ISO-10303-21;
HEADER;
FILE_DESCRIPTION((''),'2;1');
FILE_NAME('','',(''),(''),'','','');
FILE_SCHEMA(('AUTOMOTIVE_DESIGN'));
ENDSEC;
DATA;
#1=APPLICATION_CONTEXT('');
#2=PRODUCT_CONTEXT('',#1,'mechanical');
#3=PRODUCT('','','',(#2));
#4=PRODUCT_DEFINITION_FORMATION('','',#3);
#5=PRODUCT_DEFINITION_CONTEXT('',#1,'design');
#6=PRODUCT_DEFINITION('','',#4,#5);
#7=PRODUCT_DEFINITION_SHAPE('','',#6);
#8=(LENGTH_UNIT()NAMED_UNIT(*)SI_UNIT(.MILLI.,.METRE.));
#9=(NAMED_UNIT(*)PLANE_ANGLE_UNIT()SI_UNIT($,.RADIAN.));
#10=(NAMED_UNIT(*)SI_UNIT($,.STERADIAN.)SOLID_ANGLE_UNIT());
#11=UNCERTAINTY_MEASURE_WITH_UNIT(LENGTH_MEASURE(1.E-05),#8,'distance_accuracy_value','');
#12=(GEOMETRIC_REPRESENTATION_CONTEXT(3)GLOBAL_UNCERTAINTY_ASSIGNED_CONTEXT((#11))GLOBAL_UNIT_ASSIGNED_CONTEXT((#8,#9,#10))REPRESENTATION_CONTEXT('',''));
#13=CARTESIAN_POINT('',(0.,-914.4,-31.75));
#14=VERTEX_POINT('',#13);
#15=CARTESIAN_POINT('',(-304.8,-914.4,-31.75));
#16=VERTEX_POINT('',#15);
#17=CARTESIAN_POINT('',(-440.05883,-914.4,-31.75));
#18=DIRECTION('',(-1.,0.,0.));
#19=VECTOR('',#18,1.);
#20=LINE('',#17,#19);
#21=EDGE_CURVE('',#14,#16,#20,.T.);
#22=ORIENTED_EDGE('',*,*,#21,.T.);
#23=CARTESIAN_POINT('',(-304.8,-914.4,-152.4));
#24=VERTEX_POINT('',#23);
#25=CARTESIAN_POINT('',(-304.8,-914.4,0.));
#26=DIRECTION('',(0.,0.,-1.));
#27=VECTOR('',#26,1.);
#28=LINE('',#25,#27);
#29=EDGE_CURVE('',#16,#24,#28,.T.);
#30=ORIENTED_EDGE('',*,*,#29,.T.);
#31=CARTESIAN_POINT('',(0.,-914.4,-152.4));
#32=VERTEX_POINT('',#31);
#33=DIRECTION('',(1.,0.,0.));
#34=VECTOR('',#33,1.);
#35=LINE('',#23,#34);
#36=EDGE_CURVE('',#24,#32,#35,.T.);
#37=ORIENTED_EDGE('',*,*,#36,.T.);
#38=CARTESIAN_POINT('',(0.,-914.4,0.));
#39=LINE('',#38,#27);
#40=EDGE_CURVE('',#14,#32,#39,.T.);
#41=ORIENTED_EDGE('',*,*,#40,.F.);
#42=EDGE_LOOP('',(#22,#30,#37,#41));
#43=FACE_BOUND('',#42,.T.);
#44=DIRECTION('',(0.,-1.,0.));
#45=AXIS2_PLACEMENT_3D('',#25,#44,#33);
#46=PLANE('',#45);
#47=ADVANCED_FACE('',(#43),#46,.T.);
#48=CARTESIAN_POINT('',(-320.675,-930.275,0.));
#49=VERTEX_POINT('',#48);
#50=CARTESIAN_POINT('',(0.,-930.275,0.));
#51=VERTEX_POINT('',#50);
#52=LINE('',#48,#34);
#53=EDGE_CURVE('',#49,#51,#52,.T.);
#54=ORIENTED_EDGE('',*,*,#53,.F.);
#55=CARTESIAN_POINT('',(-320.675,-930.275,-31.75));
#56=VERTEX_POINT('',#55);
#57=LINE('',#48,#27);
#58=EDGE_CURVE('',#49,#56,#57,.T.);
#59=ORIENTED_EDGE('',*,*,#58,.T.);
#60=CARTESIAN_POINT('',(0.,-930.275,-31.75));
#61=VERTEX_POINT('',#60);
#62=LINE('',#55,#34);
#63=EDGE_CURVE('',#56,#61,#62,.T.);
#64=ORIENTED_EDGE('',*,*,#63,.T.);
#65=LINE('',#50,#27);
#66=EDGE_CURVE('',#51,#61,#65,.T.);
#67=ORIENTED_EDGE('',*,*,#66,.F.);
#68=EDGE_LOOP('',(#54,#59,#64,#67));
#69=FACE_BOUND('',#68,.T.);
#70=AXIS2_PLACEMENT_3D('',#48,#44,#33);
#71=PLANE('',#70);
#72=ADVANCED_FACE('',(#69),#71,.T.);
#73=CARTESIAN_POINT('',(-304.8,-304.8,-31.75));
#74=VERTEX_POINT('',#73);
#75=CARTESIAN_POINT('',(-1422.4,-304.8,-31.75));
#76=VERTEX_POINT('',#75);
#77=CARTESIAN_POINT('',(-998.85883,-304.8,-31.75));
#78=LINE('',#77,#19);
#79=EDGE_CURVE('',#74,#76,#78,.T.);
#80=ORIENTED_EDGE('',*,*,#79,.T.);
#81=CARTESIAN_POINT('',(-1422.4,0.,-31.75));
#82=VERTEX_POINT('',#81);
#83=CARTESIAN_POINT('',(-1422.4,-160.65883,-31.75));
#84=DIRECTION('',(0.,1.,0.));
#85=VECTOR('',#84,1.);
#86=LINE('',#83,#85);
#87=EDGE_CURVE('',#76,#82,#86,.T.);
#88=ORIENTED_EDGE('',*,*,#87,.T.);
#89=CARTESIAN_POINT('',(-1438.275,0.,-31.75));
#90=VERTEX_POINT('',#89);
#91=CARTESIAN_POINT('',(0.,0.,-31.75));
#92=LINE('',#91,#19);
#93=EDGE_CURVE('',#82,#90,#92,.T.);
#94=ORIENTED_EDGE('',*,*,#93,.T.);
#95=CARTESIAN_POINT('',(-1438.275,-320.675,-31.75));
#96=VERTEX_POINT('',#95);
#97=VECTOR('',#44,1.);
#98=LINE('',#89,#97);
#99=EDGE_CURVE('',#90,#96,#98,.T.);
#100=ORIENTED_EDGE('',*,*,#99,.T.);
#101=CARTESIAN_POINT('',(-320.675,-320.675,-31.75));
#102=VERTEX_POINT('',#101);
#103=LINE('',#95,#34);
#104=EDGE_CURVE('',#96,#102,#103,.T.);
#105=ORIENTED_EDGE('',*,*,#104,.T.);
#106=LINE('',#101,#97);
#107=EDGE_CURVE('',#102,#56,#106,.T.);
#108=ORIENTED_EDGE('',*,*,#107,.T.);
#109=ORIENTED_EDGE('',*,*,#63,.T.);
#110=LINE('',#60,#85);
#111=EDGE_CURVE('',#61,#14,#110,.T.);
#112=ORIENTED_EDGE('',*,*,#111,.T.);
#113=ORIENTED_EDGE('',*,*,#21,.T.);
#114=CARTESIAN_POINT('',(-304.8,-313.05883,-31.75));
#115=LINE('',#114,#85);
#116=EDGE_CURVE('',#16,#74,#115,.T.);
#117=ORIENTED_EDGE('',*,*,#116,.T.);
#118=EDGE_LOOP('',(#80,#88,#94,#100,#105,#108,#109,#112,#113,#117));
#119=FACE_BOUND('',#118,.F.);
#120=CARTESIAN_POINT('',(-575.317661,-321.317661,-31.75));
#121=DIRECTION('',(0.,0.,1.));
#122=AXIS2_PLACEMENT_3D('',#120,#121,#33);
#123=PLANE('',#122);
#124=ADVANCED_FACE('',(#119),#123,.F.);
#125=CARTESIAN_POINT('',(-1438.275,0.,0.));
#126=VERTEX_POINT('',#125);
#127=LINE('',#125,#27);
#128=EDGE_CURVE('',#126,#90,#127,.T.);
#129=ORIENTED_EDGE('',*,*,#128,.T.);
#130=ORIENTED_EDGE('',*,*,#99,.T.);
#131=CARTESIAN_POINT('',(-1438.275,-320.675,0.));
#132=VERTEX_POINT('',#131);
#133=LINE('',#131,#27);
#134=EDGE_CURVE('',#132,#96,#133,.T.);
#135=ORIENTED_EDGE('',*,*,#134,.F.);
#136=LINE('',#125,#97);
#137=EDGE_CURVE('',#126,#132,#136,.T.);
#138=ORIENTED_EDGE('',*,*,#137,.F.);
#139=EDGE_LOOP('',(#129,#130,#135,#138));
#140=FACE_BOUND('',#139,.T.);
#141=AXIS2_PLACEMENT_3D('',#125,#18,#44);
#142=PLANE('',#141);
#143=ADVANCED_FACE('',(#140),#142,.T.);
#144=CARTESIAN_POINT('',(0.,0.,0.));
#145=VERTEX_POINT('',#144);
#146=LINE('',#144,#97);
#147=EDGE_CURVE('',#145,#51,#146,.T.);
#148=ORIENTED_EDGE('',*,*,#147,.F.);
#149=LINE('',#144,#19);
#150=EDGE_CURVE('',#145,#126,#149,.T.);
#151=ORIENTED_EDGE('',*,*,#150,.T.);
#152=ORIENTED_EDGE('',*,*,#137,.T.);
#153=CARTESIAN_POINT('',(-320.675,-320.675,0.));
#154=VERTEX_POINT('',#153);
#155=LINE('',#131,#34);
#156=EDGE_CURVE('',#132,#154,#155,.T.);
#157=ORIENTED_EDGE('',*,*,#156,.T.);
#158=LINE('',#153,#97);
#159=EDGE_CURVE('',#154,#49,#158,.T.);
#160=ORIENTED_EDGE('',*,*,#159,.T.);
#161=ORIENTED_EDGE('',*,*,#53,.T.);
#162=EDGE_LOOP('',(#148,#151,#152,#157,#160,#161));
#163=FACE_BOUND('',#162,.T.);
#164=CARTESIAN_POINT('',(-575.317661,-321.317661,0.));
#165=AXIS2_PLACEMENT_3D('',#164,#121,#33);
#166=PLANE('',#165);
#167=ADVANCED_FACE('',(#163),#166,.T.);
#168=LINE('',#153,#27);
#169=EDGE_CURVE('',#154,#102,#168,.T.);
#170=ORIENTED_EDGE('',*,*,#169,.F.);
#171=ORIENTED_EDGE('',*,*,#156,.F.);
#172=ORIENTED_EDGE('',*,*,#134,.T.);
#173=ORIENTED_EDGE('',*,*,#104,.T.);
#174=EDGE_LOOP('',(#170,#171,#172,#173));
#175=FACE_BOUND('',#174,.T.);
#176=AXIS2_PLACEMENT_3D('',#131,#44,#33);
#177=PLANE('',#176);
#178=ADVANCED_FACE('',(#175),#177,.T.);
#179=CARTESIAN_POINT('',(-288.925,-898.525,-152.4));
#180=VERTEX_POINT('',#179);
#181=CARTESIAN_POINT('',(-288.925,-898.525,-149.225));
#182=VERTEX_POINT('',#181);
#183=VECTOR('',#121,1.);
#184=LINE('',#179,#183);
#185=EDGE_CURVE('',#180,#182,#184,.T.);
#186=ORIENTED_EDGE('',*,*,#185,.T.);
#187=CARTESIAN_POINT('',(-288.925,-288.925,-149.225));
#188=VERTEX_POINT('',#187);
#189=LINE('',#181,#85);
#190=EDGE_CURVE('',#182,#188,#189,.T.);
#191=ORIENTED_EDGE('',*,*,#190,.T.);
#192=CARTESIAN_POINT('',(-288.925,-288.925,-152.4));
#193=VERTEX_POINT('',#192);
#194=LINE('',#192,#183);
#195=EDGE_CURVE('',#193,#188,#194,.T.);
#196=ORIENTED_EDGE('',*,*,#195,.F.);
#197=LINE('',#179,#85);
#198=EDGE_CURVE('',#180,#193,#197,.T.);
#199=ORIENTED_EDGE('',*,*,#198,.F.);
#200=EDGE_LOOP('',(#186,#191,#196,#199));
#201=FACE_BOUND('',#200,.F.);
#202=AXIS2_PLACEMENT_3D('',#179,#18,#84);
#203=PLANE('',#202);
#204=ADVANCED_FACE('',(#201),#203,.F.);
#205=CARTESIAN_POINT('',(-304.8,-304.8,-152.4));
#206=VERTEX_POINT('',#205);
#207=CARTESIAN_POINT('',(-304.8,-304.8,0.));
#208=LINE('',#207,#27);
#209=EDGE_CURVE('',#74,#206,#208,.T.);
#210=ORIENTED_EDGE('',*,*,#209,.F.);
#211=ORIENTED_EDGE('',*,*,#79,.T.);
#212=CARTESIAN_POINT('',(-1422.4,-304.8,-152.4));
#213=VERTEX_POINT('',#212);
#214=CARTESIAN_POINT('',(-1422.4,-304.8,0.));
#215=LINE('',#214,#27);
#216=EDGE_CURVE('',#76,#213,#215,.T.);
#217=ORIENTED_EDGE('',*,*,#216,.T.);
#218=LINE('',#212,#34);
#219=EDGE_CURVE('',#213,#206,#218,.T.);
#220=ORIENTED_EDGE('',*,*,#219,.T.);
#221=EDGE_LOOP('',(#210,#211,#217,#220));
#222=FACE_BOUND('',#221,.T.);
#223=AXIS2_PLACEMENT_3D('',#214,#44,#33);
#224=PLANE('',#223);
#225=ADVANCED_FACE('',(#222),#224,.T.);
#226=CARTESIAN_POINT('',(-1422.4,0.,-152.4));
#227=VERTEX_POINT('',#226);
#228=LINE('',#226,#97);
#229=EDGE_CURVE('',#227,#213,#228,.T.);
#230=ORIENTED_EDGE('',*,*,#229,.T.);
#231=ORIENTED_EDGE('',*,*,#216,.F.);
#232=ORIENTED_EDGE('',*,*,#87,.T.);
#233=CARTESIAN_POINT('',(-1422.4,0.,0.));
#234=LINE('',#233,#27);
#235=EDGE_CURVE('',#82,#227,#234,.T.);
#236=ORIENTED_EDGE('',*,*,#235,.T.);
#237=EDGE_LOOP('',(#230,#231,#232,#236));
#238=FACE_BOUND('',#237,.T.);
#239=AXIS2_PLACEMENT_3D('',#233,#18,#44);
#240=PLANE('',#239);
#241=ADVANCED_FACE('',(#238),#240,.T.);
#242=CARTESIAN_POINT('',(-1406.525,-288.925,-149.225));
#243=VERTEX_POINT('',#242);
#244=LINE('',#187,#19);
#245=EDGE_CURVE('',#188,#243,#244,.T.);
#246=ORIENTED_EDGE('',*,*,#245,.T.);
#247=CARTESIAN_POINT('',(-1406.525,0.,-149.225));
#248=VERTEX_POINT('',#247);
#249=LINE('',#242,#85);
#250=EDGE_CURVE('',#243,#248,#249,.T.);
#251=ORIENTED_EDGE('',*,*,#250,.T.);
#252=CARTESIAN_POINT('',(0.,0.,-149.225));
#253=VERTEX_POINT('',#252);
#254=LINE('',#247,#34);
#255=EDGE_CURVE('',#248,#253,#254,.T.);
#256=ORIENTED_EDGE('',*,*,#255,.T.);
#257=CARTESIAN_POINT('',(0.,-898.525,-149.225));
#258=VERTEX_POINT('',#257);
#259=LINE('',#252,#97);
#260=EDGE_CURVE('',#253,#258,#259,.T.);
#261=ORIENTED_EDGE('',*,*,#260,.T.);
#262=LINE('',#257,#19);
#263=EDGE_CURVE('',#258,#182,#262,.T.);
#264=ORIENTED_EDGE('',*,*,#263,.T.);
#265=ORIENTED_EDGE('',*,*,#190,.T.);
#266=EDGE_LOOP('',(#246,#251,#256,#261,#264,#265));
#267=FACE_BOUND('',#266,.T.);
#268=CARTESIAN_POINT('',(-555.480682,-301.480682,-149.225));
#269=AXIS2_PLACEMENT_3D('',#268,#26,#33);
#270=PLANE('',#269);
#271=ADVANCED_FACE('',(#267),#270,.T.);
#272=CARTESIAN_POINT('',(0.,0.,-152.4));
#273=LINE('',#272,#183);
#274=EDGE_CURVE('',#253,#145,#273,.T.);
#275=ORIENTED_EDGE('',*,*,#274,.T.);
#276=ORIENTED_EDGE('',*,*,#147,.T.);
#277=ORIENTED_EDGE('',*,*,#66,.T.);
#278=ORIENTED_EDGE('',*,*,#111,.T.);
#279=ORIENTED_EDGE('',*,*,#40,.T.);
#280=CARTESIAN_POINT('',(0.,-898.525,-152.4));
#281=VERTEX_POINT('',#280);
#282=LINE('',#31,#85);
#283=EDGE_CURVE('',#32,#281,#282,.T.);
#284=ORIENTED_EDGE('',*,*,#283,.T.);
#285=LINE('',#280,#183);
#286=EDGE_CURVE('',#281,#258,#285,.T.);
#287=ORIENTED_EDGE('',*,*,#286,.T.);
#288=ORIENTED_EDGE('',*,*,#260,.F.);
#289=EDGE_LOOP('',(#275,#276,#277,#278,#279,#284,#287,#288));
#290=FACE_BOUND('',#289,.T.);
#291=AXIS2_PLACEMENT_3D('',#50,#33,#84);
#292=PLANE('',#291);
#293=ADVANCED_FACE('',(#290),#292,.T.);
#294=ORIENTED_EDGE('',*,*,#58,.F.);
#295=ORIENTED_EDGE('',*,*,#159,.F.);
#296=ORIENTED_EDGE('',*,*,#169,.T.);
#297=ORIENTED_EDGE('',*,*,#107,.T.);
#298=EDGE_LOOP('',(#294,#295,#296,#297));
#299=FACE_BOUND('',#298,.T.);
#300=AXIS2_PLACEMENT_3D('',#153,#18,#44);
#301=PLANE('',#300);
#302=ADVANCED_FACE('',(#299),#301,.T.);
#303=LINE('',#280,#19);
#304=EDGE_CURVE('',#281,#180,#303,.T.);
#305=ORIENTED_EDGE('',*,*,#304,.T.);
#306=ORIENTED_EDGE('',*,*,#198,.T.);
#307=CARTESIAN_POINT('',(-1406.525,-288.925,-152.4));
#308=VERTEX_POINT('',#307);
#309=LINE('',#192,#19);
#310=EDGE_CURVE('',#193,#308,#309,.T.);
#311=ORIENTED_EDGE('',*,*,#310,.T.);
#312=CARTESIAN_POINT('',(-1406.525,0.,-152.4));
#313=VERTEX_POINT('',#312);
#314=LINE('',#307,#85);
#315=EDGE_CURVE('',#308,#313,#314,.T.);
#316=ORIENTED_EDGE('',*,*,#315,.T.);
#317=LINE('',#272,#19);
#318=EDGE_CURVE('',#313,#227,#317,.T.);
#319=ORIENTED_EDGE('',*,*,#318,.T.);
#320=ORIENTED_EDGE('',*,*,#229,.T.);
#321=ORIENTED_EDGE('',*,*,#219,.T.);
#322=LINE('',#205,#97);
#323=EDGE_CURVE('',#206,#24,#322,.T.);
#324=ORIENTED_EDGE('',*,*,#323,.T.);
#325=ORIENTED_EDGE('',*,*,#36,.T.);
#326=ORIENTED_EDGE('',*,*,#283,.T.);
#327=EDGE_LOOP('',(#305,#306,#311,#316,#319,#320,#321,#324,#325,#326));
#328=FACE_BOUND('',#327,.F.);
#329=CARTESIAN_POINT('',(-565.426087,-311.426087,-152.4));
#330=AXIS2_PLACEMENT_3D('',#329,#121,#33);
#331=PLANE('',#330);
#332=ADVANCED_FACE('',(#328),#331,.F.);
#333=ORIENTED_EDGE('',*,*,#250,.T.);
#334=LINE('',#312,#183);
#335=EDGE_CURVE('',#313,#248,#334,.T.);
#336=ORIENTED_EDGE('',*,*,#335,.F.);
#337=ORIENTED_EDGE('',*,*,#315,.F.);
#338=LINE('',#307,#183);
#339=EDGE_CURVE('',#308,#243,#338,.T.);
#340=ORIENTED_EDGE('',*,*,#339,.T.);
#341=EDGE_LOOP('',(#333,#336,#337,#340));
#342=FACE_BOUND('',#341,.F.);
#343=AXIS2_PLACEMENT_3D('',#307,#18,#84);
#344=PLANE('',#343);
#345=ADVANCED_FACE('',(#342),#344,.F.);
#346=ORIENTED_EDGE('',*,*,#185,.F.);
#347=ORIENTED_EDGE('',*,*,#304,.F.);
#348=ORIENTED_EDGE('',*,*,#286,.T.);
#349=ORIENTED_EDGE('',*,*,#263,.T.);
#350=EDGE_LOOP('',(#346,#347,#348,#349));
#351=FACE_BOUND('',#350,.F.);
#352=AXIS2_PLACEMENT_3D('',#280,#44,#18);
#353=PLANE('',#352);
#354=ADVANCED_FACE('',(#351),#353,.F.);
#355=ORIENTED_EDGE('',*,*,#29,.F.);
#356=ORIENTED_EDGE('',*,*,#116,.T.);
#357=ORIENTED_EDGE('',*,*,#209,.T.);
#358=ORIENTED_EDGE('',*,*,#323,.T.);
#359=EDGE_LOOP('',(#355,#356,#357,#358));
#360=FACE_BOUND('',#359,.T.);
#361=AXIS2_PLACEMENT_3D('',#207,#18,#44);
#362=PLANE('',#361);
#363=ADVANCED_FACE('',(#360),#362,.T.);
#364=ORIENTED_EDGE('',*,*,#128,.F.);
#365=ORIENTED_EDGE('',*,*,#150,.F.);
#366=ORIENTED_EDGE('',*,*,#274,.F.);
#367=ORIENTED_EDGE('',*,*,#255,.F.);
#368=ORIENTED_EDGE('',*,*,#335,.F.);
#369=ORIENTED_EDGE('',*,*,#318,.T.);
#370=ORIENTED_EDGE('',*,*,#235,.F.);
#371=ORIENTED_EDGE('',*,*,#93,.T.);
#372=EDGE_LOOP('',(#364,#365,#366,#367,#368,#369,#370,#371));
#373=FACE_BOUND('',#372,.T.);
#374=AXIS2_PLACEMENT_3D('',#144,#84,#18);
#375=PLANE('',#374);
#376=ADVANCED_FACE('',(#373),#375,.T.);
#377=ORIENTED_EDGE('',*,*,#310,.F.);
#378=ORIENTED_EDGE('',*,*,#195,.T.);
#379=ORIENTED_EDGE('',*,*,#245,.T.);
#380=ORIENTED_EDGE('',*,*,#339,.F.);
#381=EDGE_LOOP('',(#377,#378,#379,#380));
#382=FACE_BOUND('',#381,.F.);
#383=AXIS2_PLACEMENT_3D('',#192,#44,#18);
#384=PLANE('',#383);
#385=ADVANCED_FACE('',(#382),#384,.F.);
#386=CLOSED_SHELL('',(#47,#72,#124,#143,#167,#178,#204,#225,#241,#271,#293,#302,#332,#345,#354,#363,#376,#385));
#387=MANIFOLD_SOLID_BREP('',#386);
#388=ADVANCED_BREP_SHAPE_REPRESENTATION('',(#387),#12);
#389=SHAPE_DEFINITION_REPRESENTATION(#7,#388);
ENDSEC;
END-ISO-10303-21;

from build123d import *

# Parameters (mm, degrees)
F4_DEPTH = 152.4
F1_DEPTH = 31.75
F3_DEPTH = 3.175


with BuildPart() as f4:
    # F0 (on Top) → F4 (new body)
    with BuildSketch(Plane.XY):
        Polygon((0, 0), (-1422.4, 0), (-1422.4, -304.8), (-304.8, -304.8), (-304.8, -914.4), (0, -914.4), align=None)
    extrude(amount=-F4_DEPTH)

    # F5 (on face) → F1 (join)
    with BuildSketch(Plane.XY):
        Polygon((0, -930.275), (0, 0), (-1438.275, 0), (-1438.275, -320.675), (-320.675, -320.675), (-320.675, -930.275), align=None)
    extrude(amount=-F1_DEPTH)

    # F2 (on face) → F3 (cut)
    with BuildSketch(Plane(origin=(0, 0, -152.4), x_dir=(1, 0, 0), z_dir=(0, 0, -1))):
        Polygon((-288.925, 288.925), (-1406.525, 288.925), (-1406.525, 15.875), (-1406.525, 0), (0, 0), (0, 898.525), (-15.875, 898.525), (-288.925, 898.525), align=None)
    extrude(amount=-F3_DEPTH, mode=Mode.SUBTRACT)


solid = f4.part
